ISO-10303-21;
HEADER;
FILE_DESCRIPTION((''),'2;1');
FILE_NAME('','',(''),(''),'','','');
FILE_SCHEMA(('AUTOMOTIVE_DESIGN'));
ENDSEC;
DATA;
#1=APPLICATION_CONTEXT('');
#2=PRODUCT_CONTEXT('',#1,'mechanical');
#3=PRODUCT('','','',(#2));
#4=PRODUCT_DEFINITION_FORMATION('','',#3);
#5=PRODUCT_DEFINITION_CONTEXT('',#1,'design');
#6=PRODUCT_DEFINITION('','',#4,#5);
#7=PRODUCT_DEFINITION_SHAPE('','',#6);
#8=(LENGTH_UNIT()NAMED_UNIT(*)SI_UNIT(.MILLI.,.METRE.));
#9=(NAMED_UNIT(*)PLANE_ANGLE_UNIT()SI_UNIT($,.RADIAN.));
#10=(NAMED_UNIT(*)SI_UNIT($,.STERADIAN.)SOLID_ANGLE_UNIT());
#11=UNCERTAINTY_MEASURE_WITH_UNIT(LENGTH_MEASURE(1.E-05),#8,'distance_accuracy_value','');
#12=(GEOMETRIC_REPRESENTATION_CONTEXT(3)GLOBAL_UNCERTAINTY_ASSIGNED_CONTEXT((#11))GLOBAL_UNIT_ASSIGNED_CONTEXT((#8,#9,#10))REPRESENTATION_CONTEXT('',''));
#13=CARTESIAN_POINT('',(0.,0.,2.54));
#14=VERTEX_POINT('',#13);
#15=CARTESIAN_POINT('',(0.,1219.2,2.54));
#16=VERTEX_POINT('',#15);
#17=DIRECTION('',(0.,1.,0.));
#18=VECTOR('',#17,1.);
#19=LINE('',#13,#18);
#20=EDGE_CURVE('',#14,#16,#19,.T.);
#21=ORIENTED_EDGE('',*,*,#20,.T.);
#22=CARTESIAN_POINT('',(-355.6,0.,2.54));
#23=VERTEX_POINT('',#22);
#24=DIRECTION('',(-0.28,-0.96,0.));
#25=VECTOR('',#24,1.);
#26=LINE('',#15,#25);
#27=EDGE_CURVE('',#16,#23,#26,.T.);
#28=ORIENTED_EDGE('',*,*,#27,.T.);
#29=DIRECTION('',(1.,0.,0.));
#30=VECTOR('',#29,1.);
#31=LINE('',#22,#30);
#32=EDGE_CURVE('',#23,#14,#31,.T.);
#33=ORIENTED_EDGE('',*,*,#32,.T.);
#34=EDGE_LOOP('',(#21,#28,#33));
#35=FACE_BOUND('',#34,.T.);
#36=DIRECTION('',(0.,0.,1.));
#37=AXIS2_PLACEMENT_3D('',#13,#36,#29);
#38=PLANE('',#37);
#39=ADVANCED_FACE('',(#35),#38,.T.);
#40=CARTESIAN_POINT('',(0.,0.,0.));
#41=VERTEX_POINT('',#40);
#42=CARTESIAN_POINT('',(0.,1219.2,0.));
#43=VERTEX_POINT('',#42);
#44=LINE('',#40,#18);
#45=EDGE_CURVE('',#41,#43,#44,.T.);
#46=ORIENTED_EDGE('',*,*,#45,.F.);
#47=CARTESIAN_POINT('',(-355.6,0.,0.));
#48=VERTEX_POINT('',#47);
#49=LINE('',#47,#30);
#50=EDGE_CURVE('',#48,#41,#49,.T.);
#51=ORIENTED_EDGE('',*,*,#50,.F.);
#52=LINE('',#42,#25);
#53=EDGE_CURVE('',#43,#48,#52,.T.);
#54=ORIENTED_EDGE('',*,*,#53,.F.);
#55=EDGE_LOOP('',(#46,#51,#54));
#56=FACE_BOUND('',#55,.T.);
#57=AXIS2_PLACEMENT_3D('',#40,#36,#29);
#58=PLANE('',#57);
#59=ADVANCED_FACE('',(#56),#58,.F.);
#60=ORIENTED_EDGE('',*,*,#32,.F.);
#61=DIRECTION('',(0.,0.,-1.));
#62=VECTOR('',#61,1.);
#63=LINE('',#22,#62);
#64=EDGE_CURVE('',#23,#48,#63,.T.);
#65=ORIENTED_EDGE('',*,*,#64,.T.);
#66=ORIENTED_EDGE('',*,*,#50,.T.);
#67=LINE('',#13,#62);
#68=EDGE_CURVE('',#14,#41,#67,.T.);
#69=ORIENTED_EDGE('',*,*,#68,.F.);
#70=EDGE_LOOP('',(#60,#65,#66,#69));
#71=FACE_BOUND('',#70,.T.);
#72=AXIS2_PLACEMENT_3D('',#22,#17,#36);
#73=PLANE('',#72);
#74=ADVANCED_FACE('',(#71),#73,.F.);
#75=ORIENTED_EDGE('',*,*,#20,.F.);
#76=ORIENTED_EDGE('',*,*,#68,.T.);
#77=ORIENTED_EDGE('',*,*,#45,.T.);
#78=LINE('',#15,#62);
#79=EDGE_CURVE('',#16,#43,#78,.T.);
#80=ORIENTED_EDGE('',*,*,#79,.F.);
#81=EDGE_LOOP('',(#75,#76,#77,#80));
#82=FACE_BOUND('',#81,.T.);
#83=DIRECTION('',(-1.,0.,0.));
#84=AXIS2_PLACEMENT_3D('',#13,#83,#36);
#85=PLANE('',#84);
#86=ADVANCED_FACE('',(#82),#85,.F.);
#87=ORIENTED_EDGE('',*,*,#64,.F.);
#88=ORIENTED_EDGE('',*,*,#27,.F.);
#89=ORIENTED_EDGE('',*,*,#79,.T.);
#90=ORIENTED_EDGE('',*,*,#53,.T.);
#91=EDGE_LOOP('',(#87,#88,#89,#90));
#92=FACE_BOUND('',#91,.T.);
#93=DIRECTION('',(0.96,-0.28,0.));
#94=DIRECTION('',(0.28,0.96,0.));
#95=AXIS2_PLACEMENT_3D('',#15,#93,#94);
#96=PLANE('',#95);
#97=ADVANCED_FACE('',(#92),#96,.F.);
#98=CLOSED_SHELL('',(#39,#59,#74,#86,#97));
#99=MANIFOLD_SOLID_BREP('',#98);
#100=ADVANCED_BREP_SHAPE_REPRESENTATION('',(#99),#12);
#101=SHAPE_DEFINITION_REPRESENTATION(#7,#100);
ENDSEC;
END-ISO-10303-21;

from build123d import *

# Parameters (mm, degrees)
BOSS_EXTRUDE1_DEPTH = 2.54


with BuildPart() as part:
    # Sketch1 → Boss-Extrude1 (new body)
    with BuildSketch(Plane.XY):
        Polygon((0, 0), (0, 1219.2), (-355.6, 0), align=None)
    extrude(amount=BOSS_EXTRUDE1_DEPTH)


solid = part.part
